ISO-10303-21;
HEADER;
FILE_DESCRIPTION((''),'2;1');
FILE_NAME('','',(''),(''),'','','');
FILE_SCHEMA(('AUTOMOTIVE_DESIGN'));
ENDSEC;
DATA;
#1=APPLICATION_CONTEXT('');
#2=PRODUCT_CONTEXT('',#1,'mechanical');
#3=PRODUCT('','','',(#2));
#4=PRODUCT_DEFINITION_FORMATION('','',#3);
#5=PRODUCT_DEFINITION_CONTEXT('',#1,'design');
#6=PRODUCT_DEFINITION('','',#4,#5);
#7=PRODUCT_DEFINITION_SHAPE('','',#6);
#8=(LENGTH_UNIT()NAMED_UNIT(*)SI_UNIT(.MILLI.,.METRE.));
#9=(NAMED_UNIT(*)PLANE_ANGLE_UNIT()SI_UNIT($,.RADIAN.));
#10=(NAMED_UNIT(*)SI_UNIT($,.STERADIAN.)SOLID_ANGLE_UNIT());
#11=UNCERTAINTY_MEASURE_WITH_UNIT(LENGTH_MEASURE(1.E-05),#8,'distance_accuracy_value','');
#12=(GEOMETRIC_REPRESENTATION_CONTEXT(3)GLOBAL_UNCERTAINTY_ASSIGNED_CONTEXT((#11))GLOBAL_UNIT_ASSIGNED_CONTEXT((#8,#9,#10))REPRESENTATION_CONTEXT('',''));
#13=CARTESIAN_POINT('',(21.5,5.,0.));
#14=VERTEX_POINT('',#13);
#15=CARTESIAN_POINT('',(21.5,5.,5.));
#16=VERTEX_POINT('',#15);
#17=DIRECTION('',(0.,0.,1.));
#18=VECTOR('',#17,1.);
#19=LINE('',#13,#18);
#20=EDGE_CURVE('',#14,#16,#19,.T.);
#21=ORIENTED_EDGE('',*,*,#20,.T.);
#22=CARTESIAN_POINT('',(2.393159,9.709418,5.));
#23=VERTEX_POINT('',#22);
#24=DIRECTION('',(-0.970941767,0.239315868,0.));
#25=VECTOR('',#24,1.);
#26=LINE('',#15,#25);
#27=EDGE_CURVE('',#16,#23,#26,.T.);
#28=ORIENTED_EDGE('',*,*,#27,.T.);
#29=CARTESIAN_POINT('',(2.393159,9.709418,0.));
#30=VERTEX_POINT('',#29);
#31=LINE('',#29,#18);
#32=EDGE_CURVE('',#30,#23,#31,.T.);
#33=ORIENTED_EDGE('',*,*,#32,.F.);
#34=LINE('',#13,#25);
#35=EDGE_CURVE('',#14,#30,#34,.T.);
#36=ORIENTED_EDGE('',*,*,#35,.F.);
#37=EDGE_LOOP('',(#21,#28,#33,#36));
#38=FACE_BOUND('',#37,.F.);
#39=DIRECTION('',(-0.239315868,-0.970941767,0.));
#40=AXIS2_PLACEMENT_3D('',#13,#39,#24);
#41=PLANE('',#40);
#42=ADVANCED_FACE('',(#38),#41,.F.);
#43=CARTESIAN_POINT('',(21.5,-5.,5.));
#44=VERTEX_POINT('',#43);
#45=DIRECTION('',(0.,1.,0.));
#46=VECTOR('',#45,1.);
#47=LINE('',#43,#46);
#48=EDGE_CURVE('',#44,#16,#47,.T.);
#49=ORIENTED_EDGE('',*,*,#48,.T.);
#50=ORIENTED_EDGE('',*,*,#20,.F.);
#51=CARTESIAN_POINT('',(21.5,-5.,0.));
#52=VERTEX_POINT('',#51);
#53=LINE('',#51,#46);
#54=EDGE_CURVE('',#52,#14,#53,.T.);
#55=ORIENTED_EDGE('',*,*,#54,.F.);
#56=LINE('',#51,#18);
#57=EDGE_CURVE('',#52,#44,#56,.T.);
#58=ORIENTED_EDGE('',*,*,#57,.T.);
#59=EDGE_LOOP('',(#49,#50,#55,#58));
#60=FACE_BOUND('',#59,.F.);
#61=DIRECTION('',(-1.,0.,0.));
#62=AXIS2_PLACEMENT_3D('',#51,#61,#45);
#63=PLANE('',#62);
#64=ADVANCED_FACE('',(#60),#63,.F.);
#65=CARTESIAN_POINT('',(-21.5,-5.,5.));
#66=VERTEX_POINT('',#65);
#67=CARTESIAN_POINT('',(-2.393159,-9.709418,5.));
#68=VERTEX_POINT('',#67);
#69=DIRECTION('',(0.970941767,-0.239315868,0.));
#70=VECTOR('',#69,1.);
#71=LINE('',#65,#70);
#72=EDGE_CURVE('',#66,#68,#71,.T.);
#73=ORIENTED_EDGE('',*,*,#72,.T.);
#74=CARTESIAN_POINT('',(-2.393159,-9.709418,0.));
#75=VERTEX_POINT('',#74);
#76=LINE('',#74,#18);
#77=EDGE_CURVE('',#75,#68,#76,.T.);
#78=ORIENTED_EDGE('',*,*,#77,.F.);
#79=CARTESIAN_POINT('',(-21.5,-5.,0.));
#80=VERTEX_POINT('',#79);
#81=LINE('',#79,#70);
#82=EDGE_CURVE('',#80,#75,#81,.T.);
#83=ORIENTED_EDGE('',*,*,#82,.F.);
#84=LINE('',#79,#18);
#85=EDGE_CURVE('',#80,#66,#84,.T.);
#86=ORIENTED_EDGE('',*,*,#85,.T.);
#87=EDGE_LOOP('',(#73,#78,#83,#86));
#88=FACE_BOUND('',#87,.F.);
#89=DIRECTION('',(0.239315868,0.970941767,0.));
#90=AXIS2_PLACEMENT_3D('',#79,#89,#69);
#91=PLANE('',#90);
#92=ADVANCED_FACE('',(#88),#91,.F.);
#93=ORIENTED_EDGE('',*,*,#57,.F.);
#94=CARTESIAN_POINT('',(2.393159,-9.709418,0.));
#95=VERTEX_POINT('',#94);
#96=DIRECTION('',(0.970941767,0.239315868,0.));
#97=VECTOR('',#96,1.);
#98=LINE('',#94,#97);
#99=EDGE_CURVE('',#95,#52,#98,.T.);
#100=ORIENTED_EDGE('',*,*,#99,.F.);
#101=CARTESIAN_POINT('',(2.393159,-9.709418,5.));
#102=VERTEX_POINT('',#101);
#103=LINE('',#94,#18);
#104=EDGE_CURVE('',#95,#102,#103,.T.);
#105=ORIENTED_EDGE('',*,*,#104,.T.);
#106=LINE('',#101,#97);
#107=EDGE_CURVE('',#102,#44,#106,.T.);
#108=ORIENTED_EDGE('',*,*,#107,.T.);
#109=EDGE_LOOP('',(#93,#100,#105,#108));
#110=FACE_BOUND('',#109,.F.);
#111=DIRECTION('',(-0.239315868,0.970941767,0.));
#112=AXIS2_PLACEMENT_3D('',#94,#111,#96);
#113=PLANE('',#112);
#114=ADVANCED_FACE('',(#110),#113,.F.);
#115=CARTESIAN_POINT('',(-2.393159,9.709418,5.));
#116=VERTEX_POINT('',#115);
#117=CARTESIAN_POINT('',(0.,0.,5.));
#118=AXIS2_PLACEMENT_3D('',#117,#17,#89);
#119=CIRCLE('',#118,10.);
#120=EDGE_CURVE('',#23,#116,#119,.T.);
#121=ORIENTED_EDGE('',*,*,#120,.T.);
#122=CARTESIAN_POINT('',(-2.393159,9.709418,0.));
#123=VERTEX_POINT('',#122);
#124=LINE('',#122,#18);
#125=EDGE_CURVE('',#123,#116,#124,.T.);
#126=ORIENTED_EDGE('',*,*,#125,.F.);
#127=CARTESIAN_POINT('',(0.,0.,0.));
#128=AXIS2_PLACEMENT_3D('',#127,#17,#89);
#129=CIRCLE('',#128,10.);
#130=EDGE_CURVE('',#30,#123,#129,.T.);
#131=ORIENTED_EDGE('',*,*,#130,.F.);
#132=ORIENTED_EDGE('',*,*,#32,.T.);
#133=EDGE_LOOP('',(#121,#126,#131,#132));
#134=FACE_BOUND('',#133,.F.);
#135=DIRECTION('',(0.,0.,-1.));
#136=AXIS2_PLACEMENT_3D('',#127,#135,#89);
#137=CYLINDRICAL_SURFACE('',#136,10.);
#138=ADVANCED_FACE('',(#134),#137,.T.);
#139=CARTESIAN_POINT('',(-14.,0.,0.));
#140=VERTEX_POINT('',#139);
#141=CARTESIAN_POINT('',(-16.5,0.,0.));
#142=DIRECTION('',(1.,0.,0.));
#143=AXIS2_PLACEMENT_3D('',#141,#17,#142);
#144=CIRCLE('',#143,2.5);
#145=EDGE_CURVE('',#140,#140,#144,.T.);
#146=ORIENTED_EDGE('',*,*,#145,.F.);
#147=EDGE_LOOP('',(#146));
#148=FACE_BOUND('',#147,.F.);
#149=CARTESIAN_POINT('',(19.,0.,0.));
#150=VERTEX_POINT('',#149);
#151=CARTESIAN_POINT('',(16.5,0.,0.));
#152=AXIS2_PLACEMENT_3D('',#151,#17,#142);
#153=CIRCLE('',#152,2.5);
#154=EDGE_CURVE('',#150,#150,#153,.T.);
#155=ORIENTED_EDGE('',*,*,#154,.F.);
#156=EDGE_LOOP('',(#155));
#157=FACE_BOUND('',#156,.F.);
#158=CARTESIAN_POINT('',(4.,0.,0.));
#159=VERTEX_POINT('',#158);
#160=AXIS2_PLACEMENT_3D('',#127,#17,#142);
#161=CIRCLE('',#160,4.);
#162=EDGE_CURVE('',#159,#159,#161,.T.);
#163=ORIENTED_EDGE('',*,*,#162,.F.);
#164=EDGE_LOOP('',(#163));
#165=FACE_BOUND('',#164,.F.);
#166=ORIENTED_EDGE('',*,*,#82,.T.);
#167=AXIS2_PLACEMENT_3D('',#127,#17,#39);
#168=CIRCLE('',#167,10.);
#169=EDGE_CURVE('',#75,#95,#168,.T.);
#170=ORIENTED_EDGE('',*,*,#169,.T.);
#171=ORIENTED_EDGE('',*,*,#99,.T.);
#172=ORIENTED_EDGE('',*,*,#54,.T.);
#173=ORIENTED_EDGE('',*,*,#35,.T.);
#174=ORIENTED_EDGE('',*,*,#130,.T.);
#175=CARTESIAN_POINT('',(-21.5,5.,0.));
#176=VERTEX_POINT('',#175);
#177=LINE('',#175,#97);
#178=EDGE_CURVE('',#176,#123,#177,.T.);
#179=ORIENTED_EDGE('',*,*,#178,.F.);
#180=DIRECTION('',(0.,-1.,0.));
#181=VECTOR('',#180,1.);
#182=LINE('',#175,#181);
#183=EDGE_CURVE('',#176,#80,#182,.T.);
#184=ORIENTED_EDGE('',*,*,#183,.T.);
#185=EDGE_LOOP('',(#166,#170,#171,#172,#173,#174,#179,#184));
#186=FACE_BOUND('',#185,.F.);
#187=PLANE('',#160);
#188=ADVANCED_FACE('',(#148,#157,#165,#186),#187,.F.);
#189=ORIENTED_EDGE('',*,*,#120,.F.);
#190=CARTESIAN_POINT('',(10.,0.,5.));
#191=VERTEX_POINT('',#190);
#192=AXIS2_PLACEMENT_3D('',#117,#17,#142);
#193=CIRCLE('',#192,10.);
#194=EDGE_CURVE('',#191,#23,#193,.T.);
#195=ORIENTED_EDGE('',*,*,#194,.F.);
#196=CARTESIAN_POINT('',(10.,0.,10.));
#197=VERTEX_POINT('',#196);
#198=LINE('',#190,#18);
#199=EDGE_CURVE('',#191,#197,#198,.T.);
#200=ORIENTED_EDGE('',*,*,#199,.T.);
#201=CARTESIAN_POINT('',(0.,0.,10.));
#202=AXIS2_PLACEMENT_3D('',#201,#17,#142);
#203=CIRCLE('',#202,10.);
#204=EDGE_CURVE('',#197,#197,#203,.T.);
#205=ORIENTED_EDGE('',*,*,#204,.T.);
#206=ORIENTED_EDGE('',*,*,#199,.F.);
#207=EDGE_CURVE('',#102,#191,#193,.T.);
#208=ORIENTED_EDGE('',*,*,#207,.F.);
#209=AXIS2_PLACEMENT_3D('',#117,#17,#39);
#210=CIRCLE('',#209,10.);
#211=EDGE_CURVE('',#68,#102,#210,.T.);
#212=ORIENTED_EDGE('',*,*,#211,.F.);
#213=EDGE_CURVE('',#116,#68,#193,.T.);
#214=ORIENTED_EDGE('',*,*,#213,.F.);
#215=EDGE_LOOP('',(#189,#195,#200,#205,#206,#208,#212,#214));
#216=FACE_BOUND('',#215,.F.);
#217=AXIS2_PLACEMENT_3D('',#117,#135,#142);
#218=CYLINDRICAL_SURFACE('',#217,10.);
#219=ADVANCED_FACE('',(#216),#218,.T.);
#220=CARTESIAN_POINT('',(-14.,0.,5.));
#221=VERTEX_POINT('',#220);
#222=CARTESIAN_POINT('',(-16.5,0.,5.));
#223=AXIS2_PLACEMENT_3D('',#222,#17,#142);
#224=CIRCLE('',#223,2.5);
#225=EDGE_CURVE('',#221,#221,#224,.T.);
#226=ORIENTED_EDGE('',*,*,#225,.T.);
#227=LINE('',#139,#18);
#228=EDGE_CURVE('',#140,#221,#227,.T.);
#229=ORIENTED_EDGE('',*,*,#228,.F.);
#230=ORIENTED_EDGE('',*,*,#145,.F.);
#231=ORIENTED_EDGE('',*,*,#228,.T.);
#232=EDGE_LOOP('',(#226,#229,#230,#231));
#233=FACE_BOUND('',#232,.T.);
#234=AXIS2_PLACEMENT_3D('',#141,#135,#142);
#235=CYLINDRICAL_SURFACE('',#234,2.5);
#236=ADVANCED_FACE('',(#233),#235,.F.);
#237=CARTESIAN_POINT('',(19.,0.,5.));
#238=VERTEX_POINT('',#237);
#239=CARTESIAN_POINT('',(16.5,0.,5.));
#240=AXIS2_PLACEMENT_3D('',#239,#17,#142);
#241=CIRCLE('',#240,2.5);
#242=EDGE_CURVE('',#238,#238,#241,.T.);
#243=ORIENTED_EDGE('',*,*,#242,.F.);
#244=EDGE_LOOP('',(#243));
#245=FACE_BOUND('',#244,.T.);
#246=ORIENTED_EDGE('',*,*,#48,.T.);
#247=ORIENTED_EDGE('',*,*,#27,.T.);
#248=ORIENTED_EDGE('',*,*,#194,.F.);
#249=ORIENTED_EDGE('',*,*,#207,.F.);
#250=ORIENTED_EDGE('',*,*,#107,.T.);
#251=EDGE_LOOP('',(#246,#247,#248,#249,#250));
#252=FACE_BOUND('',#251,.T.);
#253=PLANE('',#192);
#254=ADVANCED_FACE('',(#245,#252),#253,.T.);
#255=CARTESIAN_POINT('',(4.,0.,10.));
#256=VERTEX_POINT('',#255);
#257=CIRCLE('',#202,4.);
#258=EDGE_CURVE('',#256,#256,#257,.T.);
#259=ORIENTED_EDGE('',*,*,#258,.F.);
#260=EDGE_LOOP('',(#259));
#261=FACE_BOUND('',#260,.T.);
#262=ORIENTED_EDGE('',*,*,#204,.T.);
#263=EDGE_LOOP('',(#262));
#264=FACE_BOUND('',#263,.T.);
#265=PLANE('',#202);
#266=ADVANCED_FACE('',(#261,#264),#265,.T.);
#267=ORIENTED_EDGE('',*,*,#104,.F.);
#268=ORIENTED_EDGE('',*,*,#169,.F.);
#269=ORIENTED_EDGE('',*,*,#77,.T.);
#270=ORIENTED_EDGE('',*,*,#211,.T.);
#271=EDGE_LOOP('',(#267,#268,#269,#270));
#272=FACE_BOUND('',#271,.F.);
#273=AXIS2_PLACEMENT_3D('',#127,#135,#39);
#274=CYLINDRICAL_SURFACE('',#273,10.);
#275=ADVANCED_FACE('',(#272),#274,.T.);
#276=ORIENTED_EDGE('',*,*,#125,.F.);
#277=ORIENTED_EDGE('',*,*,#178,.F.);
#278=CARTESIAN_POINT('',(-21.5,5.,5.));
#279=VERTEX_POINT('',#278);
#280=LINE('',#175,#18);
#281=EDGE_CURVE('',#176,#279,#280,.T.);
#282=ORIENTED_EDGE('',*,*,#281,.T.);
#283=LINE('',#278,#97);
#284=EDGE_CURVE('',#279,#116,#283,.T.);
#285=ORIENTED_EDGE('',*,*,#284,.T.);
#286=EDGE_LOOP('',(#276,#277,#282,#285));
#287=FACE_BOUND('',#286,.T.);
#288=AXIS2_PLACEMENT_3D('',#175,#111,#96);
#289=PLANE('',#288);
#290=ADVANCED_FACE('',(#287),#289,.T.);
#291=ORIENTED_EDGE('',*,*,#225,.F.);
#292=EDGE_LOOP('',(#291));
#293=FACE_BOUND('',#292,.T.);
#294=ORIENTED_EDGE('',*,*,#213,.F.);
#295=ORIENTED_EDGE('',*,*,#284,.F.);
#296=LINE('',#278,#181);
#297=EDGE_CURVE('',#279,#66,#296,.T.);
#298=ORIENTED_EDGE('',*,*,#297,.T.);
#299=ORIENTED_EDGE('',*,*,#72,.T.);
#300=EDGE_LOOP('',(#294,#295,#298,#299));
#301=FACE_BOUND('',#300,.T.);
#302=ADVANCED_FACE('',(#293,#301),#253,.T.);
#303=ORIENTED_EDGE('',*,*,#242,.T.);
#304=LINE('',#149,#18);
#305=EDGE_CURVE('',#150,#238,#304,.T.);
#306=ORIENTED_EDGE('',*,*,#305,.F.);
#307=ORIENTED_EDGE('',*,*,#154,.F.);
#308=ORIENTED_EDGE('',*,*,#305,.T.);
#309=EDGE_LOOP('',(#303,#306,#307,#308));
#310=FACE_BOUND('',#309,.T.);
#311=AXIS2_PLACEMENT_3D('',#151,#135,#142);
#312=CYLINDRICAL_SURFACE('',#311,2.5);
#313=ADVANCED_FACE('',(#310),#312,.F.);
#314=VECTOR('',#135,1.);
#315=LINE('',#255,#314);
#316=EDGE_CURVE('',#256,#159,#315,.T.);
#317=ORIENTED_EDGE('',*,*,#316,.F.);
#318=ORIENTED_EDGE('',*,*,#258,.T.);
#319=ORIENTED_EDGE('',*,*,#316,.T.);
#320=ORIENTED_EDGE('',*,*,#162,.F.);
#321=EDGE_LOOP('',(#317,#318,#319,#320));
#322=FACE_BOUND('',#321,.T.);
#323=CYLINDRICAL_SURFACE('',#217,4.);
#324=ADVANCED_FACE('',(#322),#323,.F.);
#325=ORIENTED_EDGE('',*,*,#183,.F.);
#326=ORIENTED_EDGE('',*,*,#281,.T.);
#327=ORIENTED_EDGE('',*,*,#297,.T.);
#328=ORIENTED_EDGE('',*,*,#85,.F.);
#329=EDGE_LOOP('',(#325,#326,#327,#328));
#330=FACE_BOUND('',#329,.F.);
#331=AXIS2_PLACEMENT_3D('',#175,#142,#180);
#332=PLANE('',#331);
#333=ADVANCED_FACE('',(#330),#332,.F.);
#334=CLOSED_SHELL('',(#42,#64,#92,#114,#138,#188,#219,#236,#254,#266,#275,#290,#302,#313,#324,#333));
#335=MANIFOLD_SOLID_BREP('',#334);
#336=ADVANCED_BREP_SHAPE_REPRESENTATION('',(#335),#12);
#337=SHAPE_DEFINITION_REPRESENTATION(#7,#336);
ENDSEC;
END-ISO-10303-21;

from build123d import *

# Parameters (mm, degrees)
SKETCH_R      = 4
SKETCH_R_2    = 2.5
PAD_DEPTH     = 5
SKETCH001_R   = 10
SKETCH001_R_2 = 4
PAD001_DEPTH  = 5


with BuildPart() as part:
    # Sketch → Pad (new body)
    with BuildSketch(Plane.XY):
        with BuildLine():
            ThreePointArc((-2.3931586809, -9.7094176719), (0, -10), (2.3931586809, -9.7094176719))
            Line((2.3931586809, -9.7094176719), (21.5, -5))
            Line((21.5, -5), (21.5, 5))
            Line((21.5, 5), (2.3931586809, 9.7094176719))
            ThreePointArc((2.3931586809, 9.7094176719), (0, 10), (-2.3931586809, 9.7094176719))
            Line((-21.5, 5), (-2.3931586809, 9.7094176719))
            Line((-21.5, 5), (-21.5, -5))
            Line((-21.5, -5), (-2.3931586809, -9.7094176719))
        make_face()
        Circle(SKETCH_R, mode=Mode.SUBTRACT)
        with Locations((-16.5, 0)):
            Circle(SKETCH_R_2, mode=Mode.SUBTRACT)
        with Locations((16.5, 0)):
            Circle(SKETCH_R_2, mode=Mode.SUBTRACT)
    extrude(amount=PAD_DEPTH)

    # Sketch001 (on Face13 of Pad) → Pad001 (join)
    with BuildSketch(Plane.XY.offset(5)):
        Circle(SKETCH001_R)
        Circle(SKETCH001_R_2, mode=Mode.SUBTRACT)
    extrude(amount=PAD001_DEPTH)


solid = part.part
